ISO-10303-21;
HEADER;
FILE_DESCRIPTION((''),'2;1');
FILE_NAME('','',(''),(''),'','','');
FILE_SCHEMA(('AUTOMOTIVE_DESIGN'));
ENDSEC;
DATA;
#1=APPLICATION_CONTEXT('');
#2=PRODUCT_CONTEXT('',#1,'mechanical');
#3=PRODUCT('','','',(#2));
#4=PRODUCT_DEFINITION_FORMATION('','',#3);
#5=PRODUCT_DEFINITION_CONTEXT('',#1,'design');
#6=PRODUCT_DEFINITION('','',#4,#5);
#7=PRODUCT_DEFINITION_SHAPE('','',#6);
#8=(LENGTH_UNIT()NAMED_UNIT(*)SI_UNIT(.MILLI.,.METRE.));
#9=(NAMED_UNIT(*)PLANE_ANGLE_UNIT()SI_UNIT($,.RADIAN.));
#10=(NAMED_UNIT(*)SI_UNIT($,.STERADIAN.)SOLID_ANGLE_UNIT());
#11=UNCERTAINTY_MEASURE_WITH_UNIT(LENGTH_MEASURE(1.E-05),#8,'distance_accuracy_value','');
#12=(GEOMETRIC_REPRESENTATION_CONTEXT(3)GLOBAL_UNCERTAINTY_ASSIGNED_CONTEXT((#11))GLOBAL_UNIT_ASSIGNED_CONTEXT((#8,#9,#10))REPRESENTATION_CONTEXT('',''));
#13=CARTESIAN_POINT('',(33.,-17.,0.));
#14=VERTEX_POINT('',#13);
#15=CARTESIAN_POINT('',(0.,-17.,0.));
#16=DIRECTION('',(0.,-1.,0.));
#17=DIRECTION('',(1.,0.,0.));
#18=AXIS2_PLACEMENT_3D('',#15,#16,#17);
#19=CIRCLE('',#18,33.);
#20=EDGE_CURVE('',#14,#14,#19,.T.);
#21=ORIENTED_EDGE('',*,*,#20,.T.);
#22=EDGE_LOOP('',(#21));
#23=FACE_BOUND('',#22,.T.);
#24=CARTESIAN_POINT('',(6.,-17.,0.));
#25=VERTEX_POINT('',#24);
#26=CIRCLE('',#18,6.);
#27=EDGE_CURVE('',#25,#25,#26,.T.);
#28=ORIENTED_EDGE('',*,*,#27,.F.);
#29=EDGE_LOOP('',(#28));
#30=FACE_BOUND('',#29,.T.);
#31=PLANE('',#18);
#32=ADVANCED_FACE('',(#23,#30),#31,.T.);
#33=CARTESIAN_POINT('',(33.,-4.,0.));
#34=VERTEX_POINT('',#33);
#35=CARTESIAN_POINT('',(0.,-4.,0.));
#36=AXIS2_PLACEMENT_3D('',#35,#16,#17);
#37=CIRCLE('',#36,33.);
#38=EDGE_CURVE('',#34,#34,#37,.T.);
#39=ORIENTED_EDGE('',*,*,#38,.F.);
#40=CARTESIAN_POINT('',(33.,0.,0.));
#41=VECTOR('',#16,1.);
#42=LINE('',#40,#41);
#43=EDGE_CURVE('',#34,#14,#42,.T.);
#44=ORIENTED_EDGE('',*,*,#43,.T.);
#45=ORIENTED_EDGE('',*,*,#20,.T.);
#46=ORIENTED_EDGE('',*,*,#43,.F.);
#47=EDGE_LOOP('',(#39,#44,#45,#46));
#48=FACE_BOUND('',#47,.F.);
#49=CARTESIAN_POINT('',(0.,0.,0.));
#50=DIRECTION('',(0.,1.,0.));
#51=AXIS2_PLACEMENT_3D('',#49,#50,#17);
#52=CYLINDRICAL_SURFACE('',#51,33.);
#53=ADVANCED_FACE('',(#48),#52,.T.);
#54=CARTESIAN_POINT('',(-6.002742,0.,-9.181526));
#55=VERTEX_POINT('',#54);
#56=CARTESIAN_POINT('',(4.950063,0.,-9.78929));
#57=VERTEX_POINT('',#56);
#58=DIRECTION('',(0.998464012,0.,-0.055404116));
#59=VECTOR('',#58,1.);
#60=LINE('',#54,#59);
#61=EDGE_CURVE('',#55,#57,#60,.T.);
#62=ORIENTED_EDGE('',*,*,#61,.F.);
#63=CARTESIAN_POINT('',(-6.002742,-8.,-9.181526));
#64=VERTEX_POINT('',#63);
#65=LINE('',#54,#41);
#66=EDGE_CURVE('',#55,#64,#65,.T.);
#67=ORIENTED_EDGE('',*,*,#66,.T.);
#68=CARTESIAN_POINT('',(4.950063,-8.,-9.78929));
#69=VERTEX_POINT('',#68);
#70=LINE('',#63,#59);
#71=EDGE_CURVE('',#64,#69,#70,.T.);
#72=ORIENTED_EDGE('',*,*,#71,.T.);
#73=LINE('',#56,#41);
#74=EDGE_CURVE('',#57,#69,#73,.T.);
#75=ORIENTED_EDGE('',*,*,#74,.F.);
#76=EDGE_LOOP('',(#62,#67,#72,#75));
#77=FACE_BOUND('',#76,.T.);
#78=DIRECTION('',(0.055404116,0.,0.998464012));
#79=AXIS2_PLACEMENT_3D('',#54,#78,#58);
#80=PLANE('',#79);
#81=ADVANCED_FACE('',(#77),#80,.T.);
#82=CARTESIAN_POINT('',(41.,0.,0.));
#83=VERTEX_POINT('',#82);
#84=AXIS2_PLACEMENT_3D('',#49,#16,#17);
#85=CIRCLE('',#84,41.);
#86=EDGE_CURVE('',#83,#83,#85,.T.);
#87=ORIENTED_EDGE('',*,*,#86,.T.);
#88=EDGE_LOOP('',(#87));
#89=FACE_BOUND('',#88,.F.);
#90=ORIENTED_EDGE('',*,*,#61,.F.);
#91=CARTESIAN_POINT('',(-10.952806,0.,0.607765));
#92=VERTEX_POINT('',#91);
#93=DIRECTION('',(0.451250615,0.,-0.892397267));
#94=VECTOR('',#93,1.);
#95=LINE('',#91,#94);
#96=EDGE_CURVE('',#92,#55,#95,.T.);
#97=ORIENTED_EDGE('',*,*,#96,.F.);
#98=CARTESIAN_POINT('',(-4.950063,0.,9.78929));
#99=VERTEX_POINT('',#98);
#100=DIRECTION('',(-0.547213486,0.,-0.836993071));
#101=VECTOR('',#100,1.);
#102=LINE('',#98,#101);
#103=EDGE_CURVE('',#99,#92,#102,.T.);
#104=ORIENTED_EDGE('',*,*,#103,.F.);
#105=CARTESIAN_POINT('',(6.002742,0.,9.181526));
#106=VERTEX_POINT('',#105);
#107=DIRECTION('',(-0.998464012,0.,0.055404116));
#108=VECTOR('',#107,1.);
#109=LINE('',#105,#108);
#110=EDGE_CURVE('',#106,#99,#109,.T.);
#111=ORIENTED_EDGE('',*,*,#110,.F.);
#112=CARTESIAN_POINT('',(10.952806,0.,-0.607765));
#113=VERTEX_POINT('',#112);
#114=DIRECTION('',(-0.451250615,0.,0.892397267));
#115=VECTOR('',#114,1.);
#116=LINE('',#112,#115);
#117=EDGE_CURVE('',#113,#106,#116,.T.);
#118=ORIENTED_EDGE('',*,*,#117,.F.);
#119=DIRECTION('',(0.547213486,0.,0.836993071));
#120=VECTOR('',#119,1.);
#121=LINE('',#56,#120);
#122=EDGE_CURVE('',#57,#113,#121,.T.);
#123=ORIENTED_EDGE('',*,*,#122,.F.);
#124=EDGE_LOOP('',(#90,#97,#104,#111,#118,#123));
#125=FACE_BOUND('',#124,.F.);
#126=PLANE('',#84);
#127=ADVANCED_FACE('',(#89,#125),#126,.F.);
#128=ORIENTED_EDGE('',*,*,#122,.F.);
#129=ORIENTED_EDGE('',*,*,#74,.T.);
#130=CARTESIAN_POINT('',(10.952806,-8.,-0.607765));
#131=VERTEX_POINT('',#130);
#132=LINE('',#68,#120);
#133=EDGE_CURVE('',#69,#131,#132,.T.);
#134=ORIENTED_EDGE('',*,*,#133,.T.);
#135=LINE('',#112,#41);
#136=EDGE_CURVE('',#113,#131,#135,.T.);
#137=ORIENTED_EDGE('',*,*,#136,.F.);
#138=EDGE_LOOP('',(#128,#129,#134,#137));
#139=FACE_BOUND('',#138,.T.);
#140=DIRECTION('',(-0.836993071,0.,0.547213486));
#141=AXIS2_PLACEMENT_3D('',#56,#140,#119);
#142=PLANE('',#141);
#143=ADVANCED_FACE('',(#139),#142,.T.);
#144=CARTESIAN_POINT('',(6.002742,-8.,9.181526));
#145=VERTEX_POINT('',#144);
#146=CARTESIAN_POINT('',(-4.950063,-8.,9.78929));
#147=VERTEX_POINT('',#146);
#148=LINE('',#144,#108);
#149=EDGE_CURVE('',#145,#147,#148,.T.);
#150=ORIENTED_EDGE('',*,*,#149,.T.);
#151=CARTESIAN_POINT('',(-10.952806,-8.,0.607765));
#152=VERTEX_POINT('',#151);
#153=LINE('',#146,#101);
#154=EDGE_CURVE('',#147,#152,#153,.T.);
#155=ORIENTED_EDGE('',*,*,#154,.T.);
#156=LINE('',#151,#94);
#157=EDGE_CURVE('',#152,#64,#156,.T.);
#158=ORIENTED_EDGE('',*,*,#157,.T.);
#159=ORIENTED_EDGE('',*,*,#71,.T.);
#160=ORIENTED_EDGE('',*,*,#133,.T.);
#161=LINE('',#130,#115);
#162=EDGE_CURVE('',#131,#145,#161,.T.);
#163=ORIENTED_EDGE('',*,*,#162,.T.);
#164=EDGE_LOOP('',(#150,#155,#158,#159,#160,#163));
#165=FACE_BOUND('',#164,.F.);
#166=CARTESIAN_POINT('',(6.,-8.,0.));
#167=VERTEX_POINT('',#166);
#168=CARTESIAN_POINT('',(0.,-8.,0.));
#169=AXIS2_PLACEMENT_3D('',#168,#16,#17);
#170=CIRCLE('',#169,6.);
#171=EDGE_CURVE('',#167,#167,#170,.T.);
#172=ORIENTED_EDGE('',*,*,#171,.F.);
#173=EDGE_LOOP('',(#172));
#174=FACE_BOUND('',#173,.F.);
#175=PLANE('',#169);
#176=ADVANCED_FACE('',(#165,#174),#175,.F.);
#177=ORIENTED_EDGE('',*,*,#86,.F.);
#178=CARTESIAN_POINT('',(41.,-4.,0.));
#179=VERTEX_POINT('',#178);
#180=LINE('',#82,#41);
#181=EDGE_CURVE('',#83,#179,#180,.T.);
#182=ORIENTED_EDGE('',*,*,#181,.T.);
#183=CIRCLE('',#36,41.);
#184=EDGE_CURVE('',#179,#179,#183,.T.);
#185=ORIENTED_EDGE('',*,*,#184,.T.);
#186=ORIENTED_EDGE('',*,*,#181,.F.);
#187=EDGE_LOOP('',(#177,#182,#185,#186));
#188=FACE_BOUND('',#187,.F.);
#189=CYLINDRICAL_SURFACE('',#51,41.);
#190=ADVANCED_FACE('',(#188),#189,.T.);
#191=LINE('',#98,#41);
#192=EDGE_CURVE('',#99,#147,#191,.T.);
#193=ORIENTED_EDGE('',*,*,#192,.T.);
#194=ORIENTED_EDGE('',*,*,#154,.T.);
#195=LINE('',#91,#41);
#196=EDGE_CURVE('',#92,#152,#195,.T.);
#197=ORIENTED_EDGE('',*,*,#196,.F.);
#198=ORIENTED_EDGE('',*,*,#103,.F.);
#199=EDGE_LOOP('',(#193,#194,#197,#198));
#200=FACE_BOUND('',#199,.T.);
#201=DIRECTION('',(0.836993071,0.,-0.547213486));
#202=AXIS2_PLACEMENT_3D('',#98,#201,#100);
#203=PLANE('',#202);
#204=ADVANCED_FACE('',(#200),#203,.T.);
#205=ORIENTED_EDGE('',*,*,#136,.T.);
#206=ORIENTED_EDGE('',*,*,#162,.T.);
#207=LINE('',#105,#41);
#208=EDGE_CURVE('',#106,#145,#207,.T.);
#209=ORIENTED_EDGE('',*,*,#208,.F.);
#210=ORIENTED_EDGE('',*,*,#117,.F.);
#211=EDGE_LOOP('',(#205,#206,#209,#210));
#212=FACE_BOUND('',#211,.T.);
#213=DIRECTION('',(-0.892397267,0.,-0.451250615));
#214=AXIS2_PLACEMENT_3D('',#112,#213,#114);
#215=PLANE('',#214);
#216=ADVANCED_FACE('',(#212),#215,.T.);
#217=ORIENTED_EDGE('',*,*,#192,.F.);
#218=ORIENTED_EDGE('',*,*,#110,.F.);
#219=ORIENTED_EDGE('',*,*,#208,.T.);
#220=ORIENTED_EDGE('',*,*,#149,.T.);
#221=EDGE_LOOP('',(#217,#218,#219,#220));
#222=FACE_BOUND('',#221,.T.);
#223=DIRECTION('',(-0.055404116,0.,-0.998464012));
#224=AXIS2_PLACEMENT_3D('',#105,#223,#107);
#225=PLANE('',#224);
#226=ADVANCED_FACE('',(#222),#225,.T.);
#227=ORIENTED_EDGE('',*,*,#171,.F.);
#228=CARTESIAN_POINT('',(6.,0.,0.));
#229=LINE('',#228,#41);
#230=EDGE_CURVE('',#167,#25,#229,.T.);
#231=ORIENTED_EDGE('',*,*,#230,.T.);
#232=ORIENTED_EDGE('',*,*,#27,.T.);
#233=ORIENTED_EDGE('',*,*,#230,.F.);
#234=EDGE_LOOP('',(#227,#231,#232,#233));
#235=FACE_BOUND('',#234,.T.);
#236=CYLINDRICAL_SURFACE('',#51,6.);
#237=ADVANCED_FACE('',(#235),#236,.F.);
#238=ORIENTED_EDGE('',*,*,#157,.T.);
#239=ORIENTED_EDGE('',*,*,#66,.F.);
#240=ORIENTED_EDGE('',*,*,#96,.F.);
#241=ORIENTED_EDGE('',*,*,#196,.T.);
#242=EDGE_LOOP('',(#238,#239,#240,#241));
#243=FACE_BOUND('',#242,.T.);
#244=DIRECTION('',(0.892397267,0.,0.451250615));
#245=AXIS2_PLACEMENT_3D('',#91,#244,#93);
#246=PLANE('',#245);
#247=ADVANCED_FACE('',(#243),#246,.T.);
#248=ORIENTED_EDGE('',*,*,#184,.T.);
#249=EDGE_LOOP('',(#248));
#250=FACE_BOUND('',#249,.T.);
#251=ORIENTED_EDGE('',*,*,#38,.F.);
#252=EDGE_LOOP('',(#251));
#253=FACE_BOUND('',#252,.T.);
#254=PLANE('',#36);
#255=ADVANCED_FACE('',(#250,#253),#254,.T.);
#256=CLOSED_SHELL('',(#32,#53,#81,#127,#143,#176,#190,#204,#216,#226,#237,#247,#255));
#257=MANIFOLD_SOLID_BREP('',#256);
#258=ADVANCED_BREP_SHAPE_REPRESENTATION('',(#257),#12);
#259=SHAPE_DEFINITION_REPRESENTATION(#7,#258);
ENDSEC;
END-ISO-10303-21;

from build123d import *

# Parameters (mm, degrees)
F0_R     = 41
F0_R_2   = 33
F2_DEPTH = 4
F1_R     = 33
F1_R_2   = 6
F3_DEPTH = 17
F4_R     = 6
F5_DEPTH = 8


with BuildPart() as f2:
    # F0 (on Front) → F2 (new body)
    with BuildSketch(Plane.XZ):
        Circle(F0_R)
        Circle(F0_R_2, mode=Mode.SUBTRACT)
    extrude(amount=F2_DEPTH)

    # F1 (on Front) → F3 (join)
    with BuildSketch(Plane.XZ):
        Circle(F1_R)
        Circle(F1_R_2, mode=Mode.SUBTRACT)
    extrude(amount=F3_DEPTH)

    # F4 (on Front) → F5 (cut)
    with BuildSketch(Plane.XZ):
        Polygon((-10.952806, 0.607765), (-6.002742, -9.181526), (4.950063, -9.78929), (10.952806, -0.607765), (6.002742, 9.181526), (-4.950063, 9.78929), align=None)
        Circle(F4_R, mode=Mode.SUBTRACT)
    extrude(amount=F5_DEPTH, mode=Mode.SUBTRACT)


solid = f2.part
